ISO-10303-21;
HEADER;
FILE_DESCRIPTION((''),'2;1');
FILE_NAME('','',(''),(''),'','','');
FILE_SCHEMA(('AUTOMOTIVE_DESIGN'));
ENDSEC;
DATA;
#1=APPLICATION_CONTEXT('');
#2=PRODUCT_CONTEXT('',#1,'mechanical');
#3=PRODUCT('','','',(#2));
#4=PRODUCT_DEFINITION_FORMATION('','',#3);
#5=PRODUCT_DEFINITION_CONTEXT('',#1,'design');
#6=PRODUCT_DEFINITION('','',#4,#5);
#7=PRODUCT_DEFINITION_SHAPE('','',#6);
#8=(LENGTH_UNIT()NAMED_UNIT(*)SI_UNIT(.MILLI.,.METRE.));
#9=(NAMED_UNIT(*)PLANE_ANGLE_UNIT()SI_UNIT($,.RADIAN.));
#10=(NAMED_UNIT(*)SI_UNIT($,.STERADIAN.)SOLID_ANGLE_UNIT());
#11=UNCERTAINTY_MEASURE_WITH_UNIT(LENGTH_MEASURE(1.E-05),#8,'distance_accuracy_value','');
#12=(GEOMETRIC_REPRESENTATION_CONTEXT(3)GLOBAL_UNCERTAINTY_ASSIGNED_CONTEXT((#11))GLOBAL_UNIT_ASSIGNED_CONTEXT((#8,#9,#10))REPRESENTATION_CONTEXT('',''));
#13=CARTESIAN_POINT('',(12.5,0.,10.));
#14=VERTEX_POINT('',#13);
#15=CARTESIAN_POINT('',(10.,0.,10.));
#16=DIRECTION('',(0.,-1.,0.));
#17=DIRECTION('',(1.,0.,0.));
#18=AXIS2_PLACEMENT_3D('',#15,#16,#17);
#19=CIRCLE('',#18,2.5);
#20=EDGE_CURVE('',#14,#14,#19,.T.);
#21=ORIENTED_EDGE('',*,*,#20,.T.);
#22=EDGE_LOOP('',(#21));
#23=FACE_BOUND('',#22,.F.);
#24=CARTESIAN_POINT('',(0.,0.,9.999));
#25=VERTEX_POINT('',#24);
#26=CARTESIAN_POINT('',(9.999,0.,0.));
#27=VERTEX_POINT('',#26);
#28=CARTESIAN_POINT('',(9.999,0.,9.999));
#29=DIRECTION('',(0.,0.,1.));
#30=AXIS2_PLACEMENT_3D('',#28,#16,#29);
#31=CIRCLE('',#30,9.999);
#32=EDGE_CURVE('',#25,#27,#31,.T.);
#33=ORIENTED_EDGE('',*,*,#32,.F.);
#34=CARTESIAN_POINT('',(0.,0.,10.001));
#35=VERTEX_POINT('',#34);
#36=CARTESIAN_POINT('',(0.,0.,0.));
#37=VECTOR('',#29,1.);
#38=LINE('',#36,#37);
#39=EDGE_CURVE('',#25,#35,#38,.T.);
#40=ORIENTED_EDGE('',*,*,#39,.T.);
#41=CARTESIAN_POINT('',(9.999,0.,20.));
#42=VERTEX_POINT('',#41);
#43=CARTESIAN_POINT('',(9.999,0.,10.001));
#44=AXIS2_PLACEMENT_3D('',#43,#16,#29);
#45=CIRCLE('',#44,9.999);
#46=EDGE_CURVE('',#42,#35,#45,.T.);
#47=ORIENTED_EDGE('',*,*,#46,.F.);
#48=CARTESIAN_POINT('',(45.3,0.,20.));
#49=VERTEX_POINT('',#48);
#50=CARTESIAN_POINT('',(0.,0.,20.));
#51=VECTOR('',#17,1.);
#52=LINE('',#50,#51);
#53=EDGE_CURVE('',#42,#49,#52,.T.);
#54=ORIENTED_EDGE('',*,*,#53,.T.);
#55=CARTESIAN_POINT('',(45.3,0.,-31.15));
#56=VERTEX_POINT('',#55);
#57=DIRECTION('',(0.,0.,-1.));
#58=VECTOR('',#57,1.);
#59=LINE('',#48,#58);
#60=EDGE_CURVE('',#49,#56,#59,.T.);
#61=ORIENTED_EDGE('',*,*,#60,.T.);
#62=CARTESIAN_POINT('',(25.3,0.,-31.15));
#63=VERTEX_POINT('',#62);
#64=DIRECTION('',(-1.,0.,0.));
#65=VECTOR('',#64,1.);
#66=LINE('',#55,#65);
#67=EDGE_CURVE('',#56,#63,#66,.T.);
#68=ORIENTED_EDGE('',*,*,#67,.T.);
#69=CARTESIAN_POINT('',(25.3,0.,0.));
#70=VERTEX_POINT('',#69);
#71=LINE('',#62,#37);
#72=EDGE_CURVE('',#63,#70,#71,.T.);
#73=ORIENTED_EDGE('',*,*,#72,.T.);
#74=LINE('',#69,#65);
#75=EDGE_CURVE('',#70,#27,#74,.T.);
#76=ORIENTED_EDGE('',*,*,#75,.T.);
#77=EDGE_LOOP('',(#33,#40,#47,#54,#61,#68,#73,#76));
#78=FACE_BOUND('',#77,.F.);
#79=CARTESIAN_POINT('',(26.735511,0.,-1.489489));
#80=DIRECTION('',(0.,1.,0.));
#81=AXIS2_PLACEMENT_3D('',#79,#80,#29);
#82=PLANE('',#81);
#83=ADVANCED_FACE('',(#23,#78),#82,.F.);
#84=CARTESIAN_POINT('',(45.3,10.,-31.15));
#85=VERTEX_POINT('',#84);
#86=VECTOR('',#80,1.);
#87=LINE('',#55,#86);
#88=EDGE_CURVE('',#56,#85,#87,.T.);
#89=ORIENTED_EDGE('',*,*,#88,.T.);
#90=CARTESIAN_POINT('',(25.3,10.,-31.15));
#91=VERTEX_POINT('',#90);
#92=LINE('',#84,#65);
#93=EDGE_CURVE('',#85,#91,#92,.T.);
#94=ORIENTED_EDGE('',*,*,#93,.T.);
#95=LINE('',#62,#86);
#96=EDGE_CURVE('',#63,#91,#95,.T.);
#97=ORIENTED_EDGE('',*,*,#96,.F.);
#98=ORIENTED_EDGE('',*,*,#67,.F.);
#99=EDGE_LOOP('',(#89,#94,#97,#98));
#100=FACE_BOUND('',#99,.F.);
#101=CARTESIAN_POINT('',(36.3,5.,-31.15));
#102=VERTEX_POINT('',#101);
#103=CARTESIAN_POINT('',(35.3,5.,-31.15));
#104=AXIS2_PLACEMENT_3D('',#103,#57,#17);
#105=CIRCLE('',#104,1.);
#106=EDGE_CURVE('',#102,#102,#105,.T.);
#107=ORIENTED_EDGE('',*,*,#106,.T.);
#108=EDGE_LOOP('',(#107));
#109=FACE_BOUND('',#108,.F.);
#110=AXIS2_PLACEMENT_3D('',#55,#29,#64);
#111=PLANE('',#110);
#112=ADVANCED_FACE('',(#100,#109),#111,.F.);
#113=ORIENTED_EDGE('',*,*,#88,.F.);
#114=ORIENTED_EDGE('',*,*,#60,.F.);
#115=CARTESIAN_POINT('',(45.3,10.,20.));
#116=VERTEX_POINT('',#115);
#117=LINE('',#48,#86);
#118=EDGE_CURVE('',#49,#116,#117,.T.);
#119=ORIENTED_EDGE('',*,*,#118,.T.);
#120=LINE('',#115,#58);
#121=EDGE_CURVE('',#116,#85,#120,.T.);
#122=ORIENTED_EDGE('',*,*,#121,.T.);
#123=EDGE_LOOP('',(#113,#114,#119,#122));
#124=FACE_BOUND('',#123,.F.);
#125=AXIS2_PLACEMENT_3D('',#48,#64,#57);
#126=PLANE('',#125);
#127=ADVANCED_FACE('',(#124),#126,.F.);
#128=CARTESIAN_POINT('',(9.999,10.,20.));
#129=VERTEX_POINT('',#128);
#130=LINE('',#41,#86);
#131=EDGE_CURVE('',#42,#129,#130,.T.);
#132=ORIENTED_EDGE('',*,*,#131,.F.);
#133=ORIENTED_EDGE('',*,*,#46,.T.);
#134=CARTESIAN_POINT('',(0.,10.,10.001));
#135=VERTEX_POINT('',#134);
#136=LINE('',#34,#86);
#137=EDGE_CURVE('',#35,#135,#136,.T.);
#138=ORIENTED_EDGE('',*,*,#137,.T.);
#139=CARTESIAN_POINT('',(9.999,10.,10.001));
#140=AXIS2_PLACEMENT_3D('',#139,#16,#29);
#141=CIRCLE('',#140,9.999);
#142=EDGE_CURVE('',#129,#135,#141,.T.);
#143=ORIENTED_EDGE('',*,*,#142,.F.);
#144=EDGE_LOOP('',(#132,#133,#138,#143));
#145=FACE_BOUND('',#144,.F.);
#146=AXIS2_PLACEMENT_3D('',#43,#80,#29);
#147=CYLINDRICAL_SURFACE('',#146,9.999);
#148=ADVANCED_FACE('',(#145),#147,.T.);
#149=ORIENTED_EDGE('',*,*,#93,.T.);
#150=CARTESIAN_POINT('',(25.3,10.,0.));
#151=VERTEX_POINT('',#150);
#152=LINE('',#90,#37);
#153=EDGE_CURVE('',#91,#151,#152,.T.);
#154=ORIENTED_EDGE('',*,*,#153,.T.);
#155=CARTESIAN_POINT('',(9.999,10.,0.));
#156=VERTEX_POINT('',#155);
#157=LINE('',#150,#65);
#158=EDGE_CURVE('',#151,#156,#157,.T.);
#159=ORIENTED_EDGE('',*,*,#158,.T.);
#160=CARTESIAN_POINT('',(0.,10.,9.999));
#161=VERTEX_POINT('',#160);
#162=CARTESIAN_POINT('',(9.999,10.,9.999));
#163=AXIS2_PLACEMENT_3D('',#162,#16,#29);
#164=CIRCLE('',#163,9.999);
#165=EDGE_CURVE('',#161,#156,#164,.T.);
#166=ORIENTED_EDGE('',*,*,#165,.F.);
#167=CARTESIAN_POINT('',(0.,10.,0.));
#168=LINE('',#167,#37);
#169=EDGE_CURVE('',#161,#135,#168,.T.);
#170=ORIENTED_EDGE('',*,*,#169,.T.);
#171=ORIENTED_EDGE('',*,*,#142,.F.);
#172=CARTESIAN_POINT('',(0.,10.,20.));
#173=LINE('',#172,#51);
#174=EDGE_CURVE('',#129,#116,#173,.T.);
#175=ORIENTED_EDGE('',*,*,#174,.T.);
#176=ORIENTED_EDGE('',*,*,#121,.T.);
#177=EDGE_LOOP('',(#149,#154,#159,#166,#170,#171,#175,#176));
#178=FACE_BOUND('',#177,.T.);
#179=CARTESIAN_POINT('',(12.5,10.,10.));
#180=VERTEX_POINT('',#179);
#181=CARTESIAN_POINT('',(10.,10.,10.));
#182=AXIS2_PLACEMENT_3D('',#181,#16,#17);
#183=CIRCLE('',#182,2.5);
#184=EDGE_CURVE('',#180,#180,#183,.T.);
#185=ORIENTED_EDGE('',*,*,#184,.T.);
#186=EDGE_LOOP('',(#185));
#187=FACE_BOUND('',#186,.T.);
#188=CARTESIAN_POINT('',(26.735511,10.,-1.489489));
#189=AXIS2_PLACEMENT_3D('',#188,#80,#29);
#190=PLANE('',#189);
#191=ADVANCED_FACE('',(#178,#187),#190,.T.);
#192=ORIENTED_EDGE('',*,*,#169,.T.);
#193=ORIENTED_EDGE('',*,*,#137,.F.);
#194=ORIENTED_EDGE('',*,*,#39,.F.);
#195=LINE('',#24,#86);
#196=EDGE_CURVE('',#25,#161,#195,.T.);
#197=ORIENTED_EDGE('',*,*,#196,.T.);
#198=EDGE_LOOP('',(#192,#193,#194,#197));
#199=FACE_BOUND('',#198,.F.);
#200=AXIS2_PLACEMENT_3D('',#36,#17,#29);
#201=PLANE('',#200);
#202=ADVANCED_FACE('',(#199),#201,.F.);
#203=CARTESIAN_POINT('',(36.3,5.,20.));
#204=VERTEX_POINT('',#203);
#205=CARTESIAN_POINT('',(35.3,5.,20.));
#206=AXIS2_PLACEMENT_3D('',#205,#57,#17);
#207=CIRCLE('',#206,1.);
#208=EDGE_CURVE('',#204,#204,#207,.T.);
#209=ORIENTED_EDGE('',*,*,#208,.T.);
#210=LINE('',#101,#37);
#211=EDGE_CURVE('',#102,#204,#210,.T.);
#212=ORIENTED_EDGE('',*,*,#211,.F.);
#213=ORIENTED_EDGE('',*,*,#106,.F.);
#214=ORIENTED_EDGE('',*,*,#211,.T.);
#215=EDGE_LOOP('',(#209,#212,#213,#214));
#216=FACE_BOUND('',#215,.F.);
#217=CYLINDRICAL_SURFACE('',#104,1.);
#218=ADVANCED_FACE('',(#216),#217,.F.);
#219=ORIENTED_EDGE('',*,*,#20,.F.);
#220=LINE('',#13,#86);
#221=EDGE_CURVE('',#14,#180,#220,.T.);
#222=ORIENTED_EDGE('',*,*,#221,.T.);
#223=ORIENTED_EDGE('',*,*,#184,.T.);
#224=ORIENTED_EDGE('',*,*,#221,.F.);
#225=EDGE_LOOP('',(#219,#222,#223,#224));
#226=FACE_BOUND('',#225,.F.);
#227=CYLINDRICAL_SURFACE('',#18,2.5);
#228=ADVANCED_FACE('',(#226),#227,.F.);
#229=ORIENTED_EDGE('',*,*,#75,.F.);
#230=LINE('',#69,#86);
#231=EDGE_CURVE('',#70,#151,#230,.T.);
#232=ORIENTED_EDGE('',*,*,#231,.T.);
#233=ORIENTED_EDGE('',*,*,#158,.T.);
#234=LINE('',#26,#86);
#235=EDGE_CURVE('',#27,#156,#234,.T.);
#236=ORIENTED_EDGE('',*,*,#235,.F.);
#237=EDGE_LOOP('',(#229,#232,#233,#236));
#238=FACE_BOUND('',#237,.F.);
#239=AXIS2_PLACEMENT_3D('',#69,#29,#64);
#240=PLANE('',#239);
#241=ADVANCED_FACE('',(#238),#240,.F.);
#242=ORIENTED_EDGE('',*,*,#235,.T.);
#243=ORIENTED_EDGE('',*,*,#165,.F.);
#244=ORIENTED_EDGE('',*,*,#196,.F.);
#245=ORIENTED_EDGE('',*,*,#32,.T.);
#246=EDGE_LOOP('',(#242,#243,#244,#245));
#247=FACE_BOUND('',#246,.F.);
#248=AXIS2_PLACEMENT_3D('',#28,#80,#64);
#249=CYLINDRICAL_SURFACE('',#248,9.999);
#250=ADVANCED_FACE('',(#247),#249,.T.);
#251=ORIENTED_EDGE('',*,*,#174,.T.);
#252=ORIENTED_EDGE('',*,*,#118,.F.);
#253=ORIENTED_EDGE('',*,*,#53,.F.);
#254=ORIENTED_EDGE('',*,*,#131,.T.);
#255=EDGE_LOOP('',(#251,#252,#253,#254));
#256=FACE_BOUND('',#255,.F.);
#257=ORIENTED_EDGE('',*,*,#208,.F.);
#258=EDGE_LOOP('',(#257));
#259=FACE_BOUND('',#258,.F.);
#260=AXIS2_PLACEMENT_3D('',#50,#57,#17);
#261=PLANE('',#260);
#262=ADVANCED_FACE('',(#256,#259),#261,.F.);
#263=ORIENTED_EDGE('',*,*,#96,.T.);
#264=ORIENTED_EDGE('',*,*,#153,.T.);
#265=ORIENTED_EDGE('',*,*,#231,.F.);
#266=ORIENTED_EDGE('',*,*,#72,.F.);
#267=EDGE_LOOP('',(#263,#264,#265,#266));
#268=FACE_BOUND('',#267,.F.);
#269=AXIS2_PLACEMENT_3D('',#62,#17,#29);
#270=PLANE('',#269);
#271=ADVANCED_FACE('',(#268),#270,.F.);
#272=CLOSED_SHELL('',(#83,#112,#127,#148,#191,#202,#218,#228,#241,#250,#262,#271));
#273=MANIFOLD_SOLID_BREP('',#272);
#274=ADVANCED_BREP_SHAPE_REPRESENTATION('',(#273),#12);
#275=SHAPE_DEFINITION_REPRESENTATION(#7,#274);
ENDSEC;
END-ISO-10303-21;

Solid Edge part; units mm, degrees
sketch "Sketch1" plane through (0, 0, 0) normal (0, -1, 0) x (1, 0, 0)
  line L0 (0, 20) -> (45.3, 20)
  line L1 (45.3, 20) -> (45.3, -31.15)
  line L2 (45.3, -31.15) -> (25.3, -31.15)
  line L3 (25.3, -31.15) -> (25.3, 0)
  line L4 (25.3, 0) -> (0, 0)
  line L5 (0, 0) -> (0, 20)
  circle A0 centre (10, 10) radius 2.5
  dimension "D1" = 20
  dimension "D2" = 51.15
  dimension "D3" = 20
  dimension "D4" = 45.3
  dimension "D5" = 5
  dimension "D6" = 10
extrude "Protrusion1" add sketch "Sketch1" against normal blind 10
sketch "Sketch2" plane through (35.3, 5, -31.15) normal (0, 0, -1) x (1, 0, 0)
  circle A0 centre (0, 0) radius 1
extrude "Cutout1" cut sketch "Sketch2" against normal through all
fillet "Redondeo_1" radius 10 2 edges at (0, 5, 20) (0, 5, 0)
